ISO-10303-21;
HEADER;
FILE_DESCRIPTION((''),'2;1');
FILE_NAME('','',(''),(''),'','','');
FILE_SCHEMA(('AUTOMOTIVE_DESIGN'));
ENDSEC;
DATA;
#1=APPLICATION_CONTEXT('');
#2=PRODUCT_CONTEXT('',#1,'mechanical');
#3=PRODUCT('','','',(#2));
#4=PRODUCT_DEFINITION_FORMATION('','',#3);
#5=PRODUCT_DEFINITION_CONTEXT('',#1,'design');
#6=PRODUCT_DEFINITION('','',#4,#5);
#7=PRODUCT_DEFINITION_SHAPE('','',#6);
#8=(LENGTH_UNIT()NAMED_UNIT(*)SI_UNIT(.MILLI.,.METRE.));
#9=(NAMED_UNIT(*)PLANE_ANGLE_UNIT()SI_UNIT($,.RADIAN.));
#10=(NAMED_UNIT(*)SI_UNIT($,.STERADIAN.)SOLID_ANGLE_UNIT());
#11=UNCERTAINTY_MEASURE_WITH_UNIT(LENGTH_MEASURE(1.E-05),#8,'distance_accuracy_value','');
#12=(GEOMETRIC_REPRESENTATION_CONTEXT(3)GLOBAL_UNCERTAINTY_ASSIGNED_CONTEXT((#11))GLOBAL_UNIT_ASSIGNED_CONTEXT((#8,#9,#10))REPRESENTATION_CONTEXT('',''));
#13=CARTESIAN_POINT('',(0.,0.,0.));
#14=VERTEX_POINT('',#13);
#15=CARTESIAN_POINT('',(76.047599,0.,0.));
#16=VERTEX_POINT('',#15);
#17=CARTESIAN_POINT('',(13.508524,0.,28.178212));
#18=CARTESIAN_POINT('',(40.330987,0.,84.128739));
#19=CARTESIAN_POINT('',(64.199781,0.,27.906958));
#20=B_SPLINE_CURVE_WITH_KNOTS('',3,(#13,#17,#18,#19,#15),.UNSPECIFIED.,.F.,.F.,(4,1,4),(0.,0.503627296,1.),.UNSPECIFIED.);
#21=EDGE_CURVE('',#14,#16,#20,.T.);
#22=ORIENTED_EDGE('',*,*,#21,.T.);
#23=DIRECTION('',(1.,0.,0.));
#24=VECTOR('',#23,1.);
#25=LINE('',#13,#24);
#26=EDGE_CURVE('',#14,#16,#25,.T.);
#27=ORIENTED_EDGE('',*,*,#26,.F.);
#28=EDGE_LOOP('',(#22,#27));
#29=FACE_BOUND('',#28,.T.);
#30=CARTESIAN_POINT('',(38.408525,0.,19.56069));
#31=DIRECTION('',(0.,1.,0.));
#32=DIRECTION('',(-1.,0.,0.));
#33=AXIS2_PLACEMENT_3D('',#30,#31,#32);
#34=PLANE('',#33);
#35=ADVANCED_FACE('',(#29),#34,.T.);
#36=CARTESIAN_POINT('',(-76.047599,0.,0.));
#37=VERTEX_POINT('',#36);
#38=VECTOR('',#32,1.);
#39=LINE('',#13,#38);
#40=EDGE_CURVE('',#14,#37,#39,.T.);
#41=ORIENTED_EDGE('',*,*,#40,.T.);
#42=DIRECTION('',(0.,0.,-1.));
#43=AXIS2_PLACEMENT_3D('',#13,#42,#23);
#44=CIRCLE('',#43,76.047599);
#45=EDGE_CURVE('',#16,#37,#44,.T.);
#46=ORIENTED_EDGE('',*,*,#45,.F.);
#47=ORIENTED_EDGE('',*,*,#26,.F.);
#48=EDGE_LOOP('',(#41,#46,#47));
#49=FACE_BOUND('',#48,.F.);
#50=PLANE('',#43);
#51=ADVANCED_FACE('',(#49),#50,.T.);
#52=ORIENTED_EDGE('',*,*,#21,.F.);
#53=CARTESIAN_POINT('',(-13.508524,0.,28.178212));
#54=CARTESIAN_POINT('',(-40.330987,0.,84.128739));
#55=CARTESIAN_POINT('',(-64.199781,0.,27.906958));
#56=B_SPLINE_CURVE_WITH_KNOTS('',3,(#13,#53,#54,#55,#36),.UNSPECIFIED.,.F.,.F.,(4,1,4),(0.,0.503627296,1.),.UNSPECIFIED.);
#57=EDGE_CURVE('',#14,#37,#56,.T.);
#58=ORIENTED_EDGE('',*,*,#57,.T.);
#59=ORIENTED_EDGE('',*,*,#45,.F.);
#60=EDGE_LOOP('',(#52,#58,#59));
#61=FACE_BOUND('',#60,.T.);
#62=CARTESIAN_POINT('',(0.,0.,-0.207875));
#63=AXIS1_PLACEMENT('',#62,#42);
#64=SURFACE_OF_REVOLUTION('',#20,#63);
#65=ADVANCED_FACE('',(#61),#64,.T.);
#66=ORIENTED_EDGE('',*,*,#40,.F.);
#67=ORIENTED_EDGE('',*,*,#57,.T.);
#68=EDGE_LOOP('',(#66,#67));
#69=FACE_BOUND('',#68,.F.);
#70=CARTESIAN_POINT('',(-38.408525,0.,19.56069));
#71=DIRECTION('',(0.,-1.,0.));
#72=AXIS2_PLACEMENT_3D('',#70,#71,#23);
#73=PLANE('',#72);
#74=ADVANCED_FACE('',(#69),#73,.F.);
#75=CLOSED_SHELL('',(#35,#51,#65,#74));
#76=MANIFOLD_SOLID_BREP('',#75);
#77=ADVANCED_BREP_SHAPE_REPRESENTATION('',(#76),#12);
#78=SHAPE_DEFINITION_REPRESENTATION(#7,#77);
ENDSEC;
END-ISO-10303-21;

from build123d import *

# Parameters (mm, degrees)
F2_ANGLE = 180


with BuildPart() as f2:
    # F0 (on Front) → F2 (revolve)
    with BuildSketch(Plane.XZ):
        with BuildLine():
            add(Edge.make_bspline(
                [(0, 0), (13.5085244431, 28.1782124971), (40.3309872961, 84.1287392289), (64.1997814328, 27.9069577079), (76.0475993156, 0)],
                knots=[0, 0, 0, 0, 0.5036272962, 1, 1, 1, 1], degree=3))
            Line((0, 0), (76.0475993156, 0))
        make_face()
    revolve(axis=Axis((0, 0, -0.2078749239), (0, 0, -1)), revolution_arc=F2_ANGLE)


solid = f2.part
